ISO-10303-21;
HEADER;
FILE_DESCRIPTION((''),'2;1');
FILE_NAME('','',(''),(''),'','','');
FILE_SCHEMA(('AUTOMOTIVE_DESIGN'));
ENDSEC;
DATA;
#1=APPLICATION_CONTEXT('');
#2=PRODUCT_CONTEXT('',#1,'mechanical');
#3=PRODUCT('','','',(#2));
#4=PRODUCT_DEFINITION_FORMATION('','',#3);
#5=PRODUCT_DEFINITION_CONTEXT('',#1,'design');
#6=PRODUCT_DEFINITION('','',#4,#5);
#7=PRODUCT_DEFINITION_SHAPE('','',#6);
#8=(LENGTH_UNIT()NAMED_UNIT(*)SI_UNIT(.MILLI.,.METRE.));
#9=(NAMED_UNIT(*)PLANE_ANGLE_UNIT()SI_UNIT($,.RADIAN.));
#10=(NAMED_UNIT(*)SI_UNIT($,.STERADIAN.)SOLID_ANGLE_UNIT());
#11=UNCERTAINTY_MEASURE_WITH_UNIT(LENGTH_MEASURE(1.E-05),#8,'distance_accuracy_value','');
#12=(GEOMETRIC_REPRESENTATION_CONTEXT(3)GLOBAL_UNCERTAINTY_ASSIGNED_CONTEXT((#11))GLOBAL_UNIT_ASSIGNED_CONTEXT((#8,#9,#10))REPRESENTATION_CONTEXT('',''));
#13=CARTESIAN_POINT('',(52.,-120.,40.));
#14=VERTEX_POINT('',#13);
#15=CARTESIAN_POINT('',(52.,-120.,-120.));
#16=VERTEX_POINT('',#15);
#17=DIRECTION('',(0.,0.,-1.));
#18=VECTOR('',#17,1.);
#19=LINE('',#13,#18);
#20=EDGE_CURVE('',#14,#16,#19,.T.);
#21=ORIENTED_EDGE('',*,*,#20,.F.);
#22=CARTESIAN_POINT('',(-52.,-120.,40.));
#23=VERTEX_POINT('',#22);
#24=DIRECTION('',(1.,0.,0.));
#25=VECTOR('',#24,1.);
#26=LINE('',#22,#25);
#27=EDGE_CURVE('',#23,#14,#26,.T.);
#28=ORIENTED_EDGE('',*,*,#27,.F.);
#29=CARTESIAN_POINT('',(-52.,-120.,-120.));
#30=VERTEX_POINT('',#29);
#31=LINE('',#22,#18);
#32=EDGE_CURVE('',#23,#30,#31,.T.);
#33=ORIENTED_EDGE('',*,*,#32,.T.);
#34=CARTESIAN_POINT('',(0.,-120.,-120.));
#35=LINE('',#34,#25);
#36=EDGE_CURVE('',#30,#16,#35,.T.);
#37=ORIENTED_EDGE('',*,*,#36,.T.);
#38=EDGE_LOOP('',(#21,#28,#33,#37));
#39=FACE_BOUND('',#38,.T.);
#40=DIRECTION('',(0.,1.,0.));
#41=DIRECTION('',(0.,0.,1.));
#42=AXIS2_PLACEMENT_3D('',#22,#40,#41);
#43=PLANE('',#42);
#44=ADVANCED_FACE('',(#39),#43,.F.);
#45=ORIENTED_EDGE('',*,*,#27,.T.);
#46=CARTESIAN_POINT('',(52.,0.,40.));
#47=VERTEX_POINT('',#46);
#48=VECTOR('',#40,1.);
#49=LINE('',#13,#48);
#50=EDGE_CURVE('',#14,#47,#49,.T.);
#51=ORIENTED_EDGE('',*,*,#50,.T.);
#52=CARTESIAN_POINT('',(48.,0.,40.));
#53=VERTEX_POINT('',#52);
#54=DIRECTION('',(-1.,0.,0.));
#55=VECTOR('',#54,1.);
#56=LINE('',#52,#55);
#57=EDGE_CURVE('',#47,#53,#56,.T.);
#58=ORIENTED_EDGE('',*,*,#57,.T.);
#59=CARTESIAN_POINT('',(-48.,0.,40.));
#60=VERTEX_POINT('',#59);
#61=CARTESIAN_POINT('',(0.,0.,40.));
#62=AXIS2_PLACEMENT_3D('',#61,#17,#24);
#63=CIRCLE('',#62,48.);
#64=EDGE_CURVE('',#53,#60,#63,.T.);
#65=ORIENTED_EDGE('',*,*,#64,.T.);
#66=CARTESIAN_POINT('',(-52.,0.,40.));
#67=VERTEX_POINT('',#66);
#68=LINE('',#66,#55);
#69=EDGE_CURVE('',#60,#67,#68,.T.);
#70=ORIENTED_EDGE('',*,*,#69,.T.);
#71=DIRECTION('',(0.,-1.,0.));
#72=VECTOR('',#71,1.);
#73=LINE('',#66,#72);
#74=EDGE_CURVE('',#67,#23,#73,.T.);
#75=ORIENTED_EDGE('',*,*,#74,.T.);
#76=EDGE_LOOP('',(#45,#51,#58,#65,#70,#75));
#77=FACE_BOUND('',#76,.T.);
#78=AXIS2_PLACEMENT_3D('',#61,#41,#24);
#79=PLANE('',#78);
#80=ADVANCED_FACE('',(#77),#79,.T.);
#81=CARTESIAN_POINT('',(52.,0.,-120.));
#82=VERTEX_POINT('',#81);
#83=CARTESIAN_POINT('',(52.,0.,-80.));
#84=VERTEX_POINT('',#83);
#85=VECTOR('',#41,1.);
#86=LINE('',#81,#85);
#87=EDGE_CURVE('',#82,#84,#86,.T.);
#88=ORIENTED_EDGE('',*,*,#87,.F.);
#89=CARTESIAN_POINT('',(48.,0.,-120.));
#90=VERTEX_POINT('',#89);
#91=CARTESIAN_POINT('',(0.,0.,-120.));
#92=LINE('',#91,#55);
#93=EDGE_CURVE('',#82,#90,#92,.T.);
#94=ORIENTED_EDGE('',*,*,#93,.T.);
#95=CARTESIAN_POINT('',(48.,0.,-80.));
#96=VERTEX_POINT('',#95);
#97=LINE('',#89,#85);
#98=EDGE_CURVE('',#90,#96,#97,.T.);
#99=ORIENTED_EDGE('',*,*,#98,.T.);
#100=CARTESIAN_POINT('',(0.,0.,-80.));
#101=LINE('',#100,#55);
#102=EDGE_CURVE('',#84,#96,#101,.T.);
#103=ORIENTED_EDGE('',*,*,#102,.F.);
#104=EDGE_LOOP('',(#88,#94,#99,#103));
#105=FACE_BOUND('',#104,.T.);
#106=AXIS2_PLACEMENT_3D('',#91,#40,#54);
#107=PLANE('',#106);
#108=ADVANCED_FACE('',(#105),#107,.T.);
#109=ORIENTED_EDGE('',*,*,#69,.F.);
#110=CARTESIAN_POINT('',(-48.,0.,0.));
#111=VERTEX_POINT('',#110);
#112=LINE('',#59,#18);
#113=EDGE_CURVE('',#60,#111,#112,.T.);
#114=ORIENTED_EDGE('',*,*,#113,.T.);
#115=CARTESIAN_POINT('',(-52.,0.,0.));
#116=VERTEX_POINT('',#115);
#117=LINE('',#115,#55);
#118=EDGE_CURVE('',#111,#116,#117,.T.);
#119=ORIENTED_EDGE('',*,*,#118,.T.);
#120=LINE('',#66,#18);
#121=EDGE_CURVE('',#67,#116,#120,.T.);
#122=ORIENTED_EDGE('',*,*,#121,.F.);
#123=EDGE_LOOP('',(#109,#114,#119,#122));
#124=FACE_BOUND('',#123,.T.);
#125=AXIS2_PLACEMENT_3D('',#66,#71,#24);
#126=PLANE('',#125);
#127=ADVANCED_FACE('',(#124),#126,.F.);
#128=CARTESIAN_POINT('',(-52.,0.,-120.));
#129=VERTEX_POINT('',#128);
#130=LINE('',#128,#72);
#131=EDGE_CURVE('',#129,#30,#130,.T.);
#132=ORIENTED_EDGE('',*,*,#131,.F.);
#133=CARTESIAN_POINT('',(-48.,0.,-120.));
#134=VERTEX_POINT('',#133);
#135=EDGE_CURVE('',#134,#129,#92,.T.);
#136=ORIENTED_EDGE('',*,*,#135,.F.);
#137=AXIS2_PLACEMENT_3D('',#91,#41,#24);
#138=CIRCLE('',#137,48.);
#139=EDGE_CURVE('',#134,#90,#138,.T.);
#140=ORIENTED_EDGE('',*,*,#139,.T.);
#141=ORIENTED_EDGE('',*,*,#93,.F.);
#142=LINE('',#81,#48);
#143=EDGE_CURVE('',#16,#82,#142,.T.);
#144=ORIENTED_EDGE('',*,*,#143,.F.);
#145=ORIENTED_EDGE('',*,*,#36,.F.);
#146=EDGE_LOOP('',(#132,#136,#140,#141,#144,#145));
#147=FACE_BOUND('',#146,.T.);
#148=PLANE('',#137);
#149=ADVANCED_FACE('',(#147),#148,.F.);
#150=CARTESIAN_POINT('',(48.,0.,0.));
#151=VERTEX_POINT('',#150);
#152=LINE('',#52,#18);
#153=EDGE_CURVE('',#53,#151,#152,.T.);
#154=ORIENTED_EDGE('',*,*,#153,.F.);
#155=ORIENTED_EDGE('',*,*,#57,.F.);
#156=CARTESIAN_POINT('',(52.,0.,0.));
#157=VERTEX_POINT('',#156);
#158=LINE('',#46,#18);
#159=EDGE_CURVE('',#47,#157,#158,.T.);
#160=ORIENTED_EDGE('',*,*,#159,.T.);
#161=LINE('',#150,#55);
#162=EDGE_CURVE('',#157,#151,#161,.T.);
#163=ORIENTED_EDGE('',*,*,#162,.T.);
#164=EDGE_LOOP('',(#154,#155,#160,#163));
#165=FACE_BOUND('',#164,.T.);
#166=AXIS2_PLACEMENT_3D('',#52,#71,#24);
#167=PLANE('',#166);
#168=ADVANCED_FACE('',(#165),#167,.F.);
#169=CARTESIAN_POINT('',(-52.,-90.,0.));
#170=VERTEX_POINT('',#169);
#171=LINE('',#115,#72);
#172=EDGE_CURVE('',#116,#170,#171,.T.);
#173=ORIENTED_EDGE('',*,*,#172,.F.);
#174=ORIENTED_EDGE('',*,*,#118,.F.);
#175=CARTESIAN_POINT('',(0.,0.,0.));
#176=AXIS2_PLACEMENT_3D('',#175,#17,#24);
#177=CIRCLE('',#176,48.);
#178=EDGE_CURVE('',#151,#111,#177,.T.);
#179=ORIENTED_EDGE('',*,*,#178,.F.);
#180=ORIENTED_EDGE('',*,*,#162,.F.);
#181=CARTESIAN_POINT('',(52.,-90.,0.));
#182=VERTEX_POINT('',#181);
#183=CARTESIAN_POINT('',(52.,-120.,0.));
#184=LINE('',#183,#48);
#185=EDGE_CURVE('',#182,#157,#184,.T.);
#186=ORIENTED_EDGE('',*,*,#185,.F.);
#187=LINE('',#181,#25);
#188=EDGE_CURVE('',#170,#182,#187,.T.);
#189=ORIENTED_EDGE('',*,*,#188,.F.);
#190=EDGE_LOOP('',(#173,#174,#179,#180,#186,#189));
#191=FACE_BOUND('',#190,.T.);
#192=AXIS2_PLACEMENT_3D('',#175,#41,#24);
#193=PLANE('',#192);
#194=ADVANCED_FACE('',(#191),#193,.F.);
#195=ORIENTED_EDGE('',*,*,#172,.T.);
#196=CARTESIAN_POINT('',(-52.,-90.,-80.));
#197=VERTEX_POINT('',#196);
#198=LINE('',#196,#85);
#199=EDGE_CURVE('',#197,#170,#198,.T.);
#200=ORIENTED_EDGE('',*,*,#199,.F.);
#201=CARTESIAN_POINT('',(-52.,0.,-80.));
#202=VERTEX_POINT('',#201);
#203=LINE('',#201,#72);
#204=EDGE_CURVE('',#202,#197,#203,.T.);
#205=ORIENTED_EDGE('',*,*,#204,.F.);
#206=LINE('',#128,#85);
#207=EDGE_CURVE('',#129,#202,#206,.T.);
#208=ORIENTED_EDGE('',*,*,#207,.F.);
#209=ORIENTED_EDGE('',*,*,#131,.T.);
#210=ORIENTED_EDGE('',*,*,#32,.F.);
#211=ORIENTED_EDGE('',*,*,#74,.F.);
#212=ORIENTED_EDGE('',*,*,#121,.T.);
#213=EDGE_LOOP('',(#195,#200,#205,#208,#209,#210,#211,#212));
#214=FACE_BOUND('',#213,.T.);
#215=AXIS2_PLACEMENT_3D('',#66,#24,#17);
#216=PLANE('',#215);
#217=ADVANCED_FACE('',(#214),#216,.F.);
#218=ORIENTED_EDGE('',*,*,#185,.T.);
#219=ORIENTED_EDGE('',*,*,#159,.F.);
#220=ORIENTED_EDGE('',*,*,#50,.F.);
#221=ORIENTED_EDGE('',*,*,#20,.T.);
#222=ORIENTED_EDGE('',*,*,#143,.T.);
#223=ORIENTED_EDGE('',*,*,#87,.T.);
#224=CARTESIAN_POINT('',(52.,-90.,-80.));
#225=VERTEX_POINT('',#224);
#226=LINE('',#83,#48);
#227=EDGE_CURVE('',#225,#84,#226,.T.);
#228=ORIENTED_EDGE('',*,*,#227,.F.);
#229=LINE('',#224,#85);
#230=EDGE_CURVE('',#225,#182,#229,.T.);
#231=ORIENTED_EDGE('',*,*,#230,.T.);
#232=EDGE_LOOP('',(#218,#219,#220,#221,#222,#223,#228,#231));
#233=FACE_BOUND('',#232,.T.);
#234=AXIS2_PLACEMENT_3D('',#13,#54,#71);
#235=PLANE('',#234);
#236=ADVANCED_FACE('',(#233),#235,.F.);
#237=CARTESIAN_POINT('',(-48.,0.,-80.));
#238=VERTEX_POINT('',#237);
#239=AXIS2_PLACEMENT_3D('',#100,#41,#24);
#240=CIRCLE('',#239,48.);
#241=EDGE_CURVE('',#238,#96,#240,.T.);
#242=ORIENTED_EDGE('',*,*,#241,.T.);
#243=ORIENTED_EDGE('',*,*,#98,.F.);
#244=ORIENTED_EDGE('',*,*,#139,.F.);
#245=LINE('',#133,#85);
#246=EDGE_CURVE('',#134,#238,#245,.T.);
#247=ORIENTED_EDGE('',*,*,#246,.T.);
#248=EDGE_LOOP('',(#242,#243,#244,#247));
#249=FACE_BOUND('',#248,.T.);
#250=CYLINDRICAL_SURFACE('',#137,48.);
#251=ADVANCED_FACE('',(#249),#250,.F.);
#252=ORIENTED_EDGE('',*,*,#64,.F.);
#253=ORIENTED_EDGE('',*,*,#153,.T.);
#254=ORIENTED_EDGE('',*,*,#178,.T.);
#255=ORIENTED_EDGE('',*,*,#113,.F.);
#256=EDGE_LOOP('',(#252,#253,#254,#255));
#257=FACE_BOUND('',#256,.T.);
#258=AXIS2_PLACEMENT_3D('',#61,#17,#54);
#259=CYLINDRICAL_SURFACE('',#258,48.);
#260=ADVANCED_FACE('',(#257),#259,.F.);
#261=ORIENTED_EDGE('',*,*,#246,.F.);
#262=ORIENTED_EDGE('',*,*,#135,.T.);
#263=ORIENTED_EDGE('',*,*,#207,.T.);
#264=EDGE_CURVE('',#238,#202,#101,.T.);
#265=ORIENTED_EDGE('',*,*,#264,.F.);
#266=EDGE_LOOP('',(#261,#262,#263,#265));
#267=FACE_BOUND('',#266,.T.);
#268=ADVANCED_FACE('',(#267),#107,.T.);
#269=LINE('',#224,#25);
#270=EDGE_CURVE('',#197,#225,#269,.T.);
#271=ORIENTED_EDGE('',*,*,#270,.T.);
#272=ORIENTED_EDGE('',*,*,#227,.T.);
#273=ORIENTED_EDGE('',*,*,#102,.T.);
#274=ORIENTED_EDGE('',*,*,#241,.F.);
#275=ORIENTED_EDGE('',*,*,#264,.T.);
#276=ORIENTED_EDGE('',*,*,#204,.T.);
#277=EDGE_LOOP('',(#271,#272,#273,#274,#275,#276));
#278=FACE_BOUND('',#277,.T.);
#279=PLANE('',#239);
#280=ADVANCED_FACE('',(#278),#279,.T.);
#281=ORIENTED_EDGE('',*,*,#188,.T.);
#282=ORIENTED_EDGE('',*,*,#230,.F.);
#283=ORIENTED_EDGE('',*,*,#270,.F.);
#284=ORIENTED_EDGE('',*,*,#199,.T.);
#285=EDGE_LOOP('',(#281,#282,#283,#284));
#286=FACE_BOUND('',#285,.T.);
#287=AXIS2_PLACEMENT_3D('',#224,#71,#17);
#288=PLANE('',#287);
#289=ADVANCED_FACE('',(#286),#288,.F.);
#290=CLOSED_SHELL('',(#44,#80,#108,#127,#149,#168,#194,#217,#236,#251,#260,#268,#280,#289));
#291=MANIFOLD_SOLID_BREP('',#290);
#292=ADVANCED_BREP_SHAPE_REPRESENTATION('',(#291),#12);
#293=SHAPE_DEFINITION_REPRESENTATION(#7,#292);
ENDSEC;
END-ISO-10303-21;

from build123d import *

# Parameters (mm, degrees)
BOSS_EXTRUDE1_DEPTH = 40
SKETCH2_W           = 104
SKETCH2_H           = 30
BOSS_EXTRUDE2_DEPTH = 80
BOSS_EXTRUDE3_START = -120
BOSS_EXTRUDE3_DEPTH = 40


with BuildPart() as part:
    # Sketch1 → Boss-Extrude1 (new body)
    with BuildSketch(Plane.XY):
        with BuildLine():
            Line((-52, 0), (-52, -120))
            Line((-52, -120), (52, -120))
            Line((52, -120), (52, 0))
            Line((52, 0), (48, 0))
            ThreePointArc((48, 0), (0, -48), (-48, 0))
            Line((-48, 0), (-52, 0))
        make_face()
    extrude(amount=BOSS_EXTRUDE1_DEPTH)

    # Sketch2 → Boss-Extrude2 (add)
    with BuildSketch(Plane(origin=(0, 0, 0), x_dir=(-1, 0, 0), z_dir=(0, 0, -1))):
        with Locations((0, -105)):
            Rectangle(SKETCH2_W, SKETCH2_H)
    extrude(amount=BOSS_EXTRUDE2_DEPTH)

    # Sketch1<2> → Boss-Extrude3 (add)
    with BuildSketch(Plane.XY.offset(BOSS_EXTRUDE3_START)):
        with BuildLine():
            Line((-52, 0), (-52, -120))
            Line((-52, -120), (52, -120))
            Line((52, -120), (52, 0))
            Line((52, 0), (48, 0))
            ThreePointArc((48, 0), (0, -48), (-48, 0))
            Line((-48, 0), (-52, 0))
        make_face()
    extrude(amount=BOSS_EXTRUDE3_DEPTH)


solid = part.part
